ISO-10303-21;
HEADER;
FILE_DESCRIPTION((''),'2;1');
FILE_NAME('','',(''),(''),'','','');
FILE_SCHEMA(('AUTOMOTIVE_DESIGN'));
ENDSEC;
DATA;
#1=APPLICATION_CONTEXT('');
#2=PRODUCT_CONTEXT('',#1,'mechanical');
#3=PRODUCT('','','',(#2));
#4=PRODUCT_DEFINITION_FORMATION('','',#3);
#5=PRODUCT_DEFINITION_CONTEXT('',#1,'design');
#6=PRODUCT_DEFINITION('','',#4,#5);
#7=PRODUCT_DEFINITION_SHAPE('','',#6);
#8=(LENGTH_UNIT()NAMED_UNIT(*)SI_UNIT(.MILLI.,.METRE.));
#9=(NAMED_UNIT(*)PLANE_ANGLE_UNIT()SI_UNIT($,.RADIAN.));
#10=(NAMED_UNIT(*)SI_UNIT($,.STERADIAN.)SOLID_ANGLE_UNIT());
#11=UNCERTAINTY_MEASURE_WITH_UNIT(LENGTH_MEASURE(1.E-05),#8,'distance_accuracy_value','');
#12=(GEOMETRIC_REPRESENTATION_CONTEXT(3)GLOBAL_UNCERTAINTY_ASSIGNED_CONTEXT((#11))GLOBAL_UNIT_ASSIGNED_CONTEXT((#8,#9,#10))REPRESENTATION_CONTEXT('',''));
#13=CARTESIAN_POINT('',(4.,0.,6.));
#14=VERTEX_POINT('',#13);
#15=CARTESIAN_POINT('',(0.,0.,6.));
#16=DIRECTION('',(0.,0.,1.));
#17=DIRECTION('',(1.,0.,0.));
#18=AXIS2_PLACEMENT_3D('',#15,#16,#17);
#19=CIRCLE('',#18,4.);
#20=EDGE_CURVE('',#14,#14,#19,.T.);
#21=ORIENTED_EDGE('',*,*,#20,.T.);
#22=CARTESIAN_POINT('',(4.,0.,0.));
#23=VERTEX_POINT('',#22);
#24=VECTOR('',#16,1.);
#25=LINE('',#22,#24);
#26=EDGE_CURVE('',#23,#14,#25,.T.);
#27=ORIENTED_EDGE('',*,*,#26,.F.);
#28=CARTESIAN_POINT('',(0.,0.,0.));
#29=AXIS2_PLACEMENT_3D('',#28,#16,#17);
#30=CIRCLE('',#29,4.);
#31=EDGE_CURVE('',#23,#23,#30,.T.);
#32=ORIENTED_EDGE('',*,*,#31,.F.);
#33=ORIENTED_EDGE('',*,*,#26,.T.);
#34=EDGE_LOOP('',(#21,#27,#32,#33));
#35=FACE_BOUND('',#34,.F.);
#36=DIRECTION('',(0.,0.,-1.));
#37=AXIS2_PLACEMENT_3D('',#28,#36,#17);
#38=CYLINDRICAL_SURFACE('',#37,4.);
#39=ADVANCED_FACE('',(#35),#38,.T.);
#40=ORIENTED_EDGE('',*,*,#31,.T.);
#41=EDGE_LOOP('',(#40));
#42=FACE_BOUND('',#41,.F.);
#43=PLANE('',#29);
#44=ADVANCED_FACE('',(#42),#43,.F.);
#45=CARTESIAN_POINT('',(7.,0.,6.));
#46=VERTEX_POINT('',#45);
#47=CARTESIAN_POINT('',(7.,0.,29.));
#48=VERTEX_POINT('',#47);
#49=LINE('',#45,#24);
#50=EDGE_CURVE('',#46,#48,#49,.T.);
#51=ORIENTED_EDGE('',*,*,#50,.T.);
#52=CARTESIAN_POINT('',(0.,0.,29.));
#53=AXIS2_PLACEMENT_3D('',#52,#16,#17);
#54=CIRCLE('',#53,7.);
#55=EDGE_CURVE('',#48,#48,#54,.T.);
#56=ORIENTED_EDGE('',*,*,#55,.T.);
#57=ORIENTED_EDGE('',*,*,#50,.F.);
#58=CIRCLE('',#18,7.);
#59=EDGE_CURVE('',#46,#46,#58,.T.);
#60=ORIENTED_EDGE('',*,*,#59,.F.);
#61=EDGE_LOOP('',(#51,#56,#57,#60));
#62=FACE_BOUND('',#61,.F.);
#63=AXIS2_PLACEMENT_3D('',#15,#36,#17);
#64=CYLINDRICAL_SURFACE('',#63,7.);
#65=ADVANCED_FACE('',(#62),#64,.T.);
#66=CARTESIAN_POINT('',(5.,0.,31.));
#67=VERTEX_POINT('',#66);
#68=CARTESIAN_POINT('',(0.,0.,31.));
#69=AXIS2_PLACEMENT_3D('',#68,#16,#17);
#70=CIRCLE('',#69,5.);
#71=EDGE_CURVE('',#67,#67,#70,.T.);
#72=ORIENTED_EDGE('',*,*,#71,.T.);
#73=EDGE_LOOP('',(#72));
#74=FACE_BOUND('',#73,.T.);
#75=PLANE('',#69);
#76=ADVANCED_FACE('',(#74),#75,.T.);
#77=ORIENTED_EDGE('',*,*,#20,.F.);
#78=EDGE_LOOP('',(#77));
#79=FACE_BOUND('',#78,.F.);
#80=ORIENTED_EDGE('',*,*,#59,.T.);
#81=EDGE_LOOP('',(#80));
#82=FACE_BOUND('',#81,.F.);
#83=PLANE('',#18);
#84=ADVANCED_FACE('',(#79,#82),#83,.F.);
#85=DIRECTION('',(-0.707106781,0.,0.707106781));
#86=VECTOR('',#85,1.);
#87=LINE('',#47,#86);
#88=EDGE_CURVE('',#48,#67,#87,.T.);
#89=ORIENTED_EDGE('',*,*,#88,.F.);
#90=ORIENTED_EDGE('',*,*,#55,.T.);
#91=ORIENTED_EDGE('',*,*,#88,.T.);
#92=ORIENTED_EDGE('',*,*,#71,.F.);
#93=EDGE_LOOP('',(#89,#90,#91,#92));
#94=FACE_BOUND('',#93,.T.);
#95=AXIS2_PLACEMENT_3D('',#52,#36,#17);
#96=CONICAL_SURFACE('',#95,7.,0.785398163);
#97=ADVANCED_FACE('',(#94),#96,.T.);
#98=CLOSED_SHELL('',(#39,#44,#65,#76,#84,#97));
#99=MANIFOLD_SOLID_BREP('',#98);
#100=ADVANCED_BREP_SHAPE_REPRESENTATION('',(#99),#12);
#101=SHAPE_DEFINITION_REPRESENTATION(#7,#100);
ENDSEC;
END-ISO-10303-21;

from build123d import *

# Parameters (mm, degrees)
F0_R     = 4
F1_DEPTH = 6
F2_R     = 7
F2_R_2   = 4
F3_DEPTH = 25
F4_SIZE  = 2


with BuildPart() as f1:
    # F0 (on Top) → F1 (new body)
    with BuildSketch(Plane.XY):
        Circle(F0_R)
    extrude(amount=F1_DEPTH)

    # F2 (on face) → F3 (join)
    with BuildSketch(Plane.XY.offset(6)):
        Circle(F2_R)
        Circle(F2_R_2, mode=Mode.SUBTRACT)
        Circle(F2_R_2)
    extrude(amount=F3_DEPTH)

    # F4
    f4_edges = [f1.edges().sort_by_distance(p)[0] for p in [
        (-7, 0, 31),
    ]]
    chamfer(f4_edges, length=F4_SIZE)


solid = f1.part
